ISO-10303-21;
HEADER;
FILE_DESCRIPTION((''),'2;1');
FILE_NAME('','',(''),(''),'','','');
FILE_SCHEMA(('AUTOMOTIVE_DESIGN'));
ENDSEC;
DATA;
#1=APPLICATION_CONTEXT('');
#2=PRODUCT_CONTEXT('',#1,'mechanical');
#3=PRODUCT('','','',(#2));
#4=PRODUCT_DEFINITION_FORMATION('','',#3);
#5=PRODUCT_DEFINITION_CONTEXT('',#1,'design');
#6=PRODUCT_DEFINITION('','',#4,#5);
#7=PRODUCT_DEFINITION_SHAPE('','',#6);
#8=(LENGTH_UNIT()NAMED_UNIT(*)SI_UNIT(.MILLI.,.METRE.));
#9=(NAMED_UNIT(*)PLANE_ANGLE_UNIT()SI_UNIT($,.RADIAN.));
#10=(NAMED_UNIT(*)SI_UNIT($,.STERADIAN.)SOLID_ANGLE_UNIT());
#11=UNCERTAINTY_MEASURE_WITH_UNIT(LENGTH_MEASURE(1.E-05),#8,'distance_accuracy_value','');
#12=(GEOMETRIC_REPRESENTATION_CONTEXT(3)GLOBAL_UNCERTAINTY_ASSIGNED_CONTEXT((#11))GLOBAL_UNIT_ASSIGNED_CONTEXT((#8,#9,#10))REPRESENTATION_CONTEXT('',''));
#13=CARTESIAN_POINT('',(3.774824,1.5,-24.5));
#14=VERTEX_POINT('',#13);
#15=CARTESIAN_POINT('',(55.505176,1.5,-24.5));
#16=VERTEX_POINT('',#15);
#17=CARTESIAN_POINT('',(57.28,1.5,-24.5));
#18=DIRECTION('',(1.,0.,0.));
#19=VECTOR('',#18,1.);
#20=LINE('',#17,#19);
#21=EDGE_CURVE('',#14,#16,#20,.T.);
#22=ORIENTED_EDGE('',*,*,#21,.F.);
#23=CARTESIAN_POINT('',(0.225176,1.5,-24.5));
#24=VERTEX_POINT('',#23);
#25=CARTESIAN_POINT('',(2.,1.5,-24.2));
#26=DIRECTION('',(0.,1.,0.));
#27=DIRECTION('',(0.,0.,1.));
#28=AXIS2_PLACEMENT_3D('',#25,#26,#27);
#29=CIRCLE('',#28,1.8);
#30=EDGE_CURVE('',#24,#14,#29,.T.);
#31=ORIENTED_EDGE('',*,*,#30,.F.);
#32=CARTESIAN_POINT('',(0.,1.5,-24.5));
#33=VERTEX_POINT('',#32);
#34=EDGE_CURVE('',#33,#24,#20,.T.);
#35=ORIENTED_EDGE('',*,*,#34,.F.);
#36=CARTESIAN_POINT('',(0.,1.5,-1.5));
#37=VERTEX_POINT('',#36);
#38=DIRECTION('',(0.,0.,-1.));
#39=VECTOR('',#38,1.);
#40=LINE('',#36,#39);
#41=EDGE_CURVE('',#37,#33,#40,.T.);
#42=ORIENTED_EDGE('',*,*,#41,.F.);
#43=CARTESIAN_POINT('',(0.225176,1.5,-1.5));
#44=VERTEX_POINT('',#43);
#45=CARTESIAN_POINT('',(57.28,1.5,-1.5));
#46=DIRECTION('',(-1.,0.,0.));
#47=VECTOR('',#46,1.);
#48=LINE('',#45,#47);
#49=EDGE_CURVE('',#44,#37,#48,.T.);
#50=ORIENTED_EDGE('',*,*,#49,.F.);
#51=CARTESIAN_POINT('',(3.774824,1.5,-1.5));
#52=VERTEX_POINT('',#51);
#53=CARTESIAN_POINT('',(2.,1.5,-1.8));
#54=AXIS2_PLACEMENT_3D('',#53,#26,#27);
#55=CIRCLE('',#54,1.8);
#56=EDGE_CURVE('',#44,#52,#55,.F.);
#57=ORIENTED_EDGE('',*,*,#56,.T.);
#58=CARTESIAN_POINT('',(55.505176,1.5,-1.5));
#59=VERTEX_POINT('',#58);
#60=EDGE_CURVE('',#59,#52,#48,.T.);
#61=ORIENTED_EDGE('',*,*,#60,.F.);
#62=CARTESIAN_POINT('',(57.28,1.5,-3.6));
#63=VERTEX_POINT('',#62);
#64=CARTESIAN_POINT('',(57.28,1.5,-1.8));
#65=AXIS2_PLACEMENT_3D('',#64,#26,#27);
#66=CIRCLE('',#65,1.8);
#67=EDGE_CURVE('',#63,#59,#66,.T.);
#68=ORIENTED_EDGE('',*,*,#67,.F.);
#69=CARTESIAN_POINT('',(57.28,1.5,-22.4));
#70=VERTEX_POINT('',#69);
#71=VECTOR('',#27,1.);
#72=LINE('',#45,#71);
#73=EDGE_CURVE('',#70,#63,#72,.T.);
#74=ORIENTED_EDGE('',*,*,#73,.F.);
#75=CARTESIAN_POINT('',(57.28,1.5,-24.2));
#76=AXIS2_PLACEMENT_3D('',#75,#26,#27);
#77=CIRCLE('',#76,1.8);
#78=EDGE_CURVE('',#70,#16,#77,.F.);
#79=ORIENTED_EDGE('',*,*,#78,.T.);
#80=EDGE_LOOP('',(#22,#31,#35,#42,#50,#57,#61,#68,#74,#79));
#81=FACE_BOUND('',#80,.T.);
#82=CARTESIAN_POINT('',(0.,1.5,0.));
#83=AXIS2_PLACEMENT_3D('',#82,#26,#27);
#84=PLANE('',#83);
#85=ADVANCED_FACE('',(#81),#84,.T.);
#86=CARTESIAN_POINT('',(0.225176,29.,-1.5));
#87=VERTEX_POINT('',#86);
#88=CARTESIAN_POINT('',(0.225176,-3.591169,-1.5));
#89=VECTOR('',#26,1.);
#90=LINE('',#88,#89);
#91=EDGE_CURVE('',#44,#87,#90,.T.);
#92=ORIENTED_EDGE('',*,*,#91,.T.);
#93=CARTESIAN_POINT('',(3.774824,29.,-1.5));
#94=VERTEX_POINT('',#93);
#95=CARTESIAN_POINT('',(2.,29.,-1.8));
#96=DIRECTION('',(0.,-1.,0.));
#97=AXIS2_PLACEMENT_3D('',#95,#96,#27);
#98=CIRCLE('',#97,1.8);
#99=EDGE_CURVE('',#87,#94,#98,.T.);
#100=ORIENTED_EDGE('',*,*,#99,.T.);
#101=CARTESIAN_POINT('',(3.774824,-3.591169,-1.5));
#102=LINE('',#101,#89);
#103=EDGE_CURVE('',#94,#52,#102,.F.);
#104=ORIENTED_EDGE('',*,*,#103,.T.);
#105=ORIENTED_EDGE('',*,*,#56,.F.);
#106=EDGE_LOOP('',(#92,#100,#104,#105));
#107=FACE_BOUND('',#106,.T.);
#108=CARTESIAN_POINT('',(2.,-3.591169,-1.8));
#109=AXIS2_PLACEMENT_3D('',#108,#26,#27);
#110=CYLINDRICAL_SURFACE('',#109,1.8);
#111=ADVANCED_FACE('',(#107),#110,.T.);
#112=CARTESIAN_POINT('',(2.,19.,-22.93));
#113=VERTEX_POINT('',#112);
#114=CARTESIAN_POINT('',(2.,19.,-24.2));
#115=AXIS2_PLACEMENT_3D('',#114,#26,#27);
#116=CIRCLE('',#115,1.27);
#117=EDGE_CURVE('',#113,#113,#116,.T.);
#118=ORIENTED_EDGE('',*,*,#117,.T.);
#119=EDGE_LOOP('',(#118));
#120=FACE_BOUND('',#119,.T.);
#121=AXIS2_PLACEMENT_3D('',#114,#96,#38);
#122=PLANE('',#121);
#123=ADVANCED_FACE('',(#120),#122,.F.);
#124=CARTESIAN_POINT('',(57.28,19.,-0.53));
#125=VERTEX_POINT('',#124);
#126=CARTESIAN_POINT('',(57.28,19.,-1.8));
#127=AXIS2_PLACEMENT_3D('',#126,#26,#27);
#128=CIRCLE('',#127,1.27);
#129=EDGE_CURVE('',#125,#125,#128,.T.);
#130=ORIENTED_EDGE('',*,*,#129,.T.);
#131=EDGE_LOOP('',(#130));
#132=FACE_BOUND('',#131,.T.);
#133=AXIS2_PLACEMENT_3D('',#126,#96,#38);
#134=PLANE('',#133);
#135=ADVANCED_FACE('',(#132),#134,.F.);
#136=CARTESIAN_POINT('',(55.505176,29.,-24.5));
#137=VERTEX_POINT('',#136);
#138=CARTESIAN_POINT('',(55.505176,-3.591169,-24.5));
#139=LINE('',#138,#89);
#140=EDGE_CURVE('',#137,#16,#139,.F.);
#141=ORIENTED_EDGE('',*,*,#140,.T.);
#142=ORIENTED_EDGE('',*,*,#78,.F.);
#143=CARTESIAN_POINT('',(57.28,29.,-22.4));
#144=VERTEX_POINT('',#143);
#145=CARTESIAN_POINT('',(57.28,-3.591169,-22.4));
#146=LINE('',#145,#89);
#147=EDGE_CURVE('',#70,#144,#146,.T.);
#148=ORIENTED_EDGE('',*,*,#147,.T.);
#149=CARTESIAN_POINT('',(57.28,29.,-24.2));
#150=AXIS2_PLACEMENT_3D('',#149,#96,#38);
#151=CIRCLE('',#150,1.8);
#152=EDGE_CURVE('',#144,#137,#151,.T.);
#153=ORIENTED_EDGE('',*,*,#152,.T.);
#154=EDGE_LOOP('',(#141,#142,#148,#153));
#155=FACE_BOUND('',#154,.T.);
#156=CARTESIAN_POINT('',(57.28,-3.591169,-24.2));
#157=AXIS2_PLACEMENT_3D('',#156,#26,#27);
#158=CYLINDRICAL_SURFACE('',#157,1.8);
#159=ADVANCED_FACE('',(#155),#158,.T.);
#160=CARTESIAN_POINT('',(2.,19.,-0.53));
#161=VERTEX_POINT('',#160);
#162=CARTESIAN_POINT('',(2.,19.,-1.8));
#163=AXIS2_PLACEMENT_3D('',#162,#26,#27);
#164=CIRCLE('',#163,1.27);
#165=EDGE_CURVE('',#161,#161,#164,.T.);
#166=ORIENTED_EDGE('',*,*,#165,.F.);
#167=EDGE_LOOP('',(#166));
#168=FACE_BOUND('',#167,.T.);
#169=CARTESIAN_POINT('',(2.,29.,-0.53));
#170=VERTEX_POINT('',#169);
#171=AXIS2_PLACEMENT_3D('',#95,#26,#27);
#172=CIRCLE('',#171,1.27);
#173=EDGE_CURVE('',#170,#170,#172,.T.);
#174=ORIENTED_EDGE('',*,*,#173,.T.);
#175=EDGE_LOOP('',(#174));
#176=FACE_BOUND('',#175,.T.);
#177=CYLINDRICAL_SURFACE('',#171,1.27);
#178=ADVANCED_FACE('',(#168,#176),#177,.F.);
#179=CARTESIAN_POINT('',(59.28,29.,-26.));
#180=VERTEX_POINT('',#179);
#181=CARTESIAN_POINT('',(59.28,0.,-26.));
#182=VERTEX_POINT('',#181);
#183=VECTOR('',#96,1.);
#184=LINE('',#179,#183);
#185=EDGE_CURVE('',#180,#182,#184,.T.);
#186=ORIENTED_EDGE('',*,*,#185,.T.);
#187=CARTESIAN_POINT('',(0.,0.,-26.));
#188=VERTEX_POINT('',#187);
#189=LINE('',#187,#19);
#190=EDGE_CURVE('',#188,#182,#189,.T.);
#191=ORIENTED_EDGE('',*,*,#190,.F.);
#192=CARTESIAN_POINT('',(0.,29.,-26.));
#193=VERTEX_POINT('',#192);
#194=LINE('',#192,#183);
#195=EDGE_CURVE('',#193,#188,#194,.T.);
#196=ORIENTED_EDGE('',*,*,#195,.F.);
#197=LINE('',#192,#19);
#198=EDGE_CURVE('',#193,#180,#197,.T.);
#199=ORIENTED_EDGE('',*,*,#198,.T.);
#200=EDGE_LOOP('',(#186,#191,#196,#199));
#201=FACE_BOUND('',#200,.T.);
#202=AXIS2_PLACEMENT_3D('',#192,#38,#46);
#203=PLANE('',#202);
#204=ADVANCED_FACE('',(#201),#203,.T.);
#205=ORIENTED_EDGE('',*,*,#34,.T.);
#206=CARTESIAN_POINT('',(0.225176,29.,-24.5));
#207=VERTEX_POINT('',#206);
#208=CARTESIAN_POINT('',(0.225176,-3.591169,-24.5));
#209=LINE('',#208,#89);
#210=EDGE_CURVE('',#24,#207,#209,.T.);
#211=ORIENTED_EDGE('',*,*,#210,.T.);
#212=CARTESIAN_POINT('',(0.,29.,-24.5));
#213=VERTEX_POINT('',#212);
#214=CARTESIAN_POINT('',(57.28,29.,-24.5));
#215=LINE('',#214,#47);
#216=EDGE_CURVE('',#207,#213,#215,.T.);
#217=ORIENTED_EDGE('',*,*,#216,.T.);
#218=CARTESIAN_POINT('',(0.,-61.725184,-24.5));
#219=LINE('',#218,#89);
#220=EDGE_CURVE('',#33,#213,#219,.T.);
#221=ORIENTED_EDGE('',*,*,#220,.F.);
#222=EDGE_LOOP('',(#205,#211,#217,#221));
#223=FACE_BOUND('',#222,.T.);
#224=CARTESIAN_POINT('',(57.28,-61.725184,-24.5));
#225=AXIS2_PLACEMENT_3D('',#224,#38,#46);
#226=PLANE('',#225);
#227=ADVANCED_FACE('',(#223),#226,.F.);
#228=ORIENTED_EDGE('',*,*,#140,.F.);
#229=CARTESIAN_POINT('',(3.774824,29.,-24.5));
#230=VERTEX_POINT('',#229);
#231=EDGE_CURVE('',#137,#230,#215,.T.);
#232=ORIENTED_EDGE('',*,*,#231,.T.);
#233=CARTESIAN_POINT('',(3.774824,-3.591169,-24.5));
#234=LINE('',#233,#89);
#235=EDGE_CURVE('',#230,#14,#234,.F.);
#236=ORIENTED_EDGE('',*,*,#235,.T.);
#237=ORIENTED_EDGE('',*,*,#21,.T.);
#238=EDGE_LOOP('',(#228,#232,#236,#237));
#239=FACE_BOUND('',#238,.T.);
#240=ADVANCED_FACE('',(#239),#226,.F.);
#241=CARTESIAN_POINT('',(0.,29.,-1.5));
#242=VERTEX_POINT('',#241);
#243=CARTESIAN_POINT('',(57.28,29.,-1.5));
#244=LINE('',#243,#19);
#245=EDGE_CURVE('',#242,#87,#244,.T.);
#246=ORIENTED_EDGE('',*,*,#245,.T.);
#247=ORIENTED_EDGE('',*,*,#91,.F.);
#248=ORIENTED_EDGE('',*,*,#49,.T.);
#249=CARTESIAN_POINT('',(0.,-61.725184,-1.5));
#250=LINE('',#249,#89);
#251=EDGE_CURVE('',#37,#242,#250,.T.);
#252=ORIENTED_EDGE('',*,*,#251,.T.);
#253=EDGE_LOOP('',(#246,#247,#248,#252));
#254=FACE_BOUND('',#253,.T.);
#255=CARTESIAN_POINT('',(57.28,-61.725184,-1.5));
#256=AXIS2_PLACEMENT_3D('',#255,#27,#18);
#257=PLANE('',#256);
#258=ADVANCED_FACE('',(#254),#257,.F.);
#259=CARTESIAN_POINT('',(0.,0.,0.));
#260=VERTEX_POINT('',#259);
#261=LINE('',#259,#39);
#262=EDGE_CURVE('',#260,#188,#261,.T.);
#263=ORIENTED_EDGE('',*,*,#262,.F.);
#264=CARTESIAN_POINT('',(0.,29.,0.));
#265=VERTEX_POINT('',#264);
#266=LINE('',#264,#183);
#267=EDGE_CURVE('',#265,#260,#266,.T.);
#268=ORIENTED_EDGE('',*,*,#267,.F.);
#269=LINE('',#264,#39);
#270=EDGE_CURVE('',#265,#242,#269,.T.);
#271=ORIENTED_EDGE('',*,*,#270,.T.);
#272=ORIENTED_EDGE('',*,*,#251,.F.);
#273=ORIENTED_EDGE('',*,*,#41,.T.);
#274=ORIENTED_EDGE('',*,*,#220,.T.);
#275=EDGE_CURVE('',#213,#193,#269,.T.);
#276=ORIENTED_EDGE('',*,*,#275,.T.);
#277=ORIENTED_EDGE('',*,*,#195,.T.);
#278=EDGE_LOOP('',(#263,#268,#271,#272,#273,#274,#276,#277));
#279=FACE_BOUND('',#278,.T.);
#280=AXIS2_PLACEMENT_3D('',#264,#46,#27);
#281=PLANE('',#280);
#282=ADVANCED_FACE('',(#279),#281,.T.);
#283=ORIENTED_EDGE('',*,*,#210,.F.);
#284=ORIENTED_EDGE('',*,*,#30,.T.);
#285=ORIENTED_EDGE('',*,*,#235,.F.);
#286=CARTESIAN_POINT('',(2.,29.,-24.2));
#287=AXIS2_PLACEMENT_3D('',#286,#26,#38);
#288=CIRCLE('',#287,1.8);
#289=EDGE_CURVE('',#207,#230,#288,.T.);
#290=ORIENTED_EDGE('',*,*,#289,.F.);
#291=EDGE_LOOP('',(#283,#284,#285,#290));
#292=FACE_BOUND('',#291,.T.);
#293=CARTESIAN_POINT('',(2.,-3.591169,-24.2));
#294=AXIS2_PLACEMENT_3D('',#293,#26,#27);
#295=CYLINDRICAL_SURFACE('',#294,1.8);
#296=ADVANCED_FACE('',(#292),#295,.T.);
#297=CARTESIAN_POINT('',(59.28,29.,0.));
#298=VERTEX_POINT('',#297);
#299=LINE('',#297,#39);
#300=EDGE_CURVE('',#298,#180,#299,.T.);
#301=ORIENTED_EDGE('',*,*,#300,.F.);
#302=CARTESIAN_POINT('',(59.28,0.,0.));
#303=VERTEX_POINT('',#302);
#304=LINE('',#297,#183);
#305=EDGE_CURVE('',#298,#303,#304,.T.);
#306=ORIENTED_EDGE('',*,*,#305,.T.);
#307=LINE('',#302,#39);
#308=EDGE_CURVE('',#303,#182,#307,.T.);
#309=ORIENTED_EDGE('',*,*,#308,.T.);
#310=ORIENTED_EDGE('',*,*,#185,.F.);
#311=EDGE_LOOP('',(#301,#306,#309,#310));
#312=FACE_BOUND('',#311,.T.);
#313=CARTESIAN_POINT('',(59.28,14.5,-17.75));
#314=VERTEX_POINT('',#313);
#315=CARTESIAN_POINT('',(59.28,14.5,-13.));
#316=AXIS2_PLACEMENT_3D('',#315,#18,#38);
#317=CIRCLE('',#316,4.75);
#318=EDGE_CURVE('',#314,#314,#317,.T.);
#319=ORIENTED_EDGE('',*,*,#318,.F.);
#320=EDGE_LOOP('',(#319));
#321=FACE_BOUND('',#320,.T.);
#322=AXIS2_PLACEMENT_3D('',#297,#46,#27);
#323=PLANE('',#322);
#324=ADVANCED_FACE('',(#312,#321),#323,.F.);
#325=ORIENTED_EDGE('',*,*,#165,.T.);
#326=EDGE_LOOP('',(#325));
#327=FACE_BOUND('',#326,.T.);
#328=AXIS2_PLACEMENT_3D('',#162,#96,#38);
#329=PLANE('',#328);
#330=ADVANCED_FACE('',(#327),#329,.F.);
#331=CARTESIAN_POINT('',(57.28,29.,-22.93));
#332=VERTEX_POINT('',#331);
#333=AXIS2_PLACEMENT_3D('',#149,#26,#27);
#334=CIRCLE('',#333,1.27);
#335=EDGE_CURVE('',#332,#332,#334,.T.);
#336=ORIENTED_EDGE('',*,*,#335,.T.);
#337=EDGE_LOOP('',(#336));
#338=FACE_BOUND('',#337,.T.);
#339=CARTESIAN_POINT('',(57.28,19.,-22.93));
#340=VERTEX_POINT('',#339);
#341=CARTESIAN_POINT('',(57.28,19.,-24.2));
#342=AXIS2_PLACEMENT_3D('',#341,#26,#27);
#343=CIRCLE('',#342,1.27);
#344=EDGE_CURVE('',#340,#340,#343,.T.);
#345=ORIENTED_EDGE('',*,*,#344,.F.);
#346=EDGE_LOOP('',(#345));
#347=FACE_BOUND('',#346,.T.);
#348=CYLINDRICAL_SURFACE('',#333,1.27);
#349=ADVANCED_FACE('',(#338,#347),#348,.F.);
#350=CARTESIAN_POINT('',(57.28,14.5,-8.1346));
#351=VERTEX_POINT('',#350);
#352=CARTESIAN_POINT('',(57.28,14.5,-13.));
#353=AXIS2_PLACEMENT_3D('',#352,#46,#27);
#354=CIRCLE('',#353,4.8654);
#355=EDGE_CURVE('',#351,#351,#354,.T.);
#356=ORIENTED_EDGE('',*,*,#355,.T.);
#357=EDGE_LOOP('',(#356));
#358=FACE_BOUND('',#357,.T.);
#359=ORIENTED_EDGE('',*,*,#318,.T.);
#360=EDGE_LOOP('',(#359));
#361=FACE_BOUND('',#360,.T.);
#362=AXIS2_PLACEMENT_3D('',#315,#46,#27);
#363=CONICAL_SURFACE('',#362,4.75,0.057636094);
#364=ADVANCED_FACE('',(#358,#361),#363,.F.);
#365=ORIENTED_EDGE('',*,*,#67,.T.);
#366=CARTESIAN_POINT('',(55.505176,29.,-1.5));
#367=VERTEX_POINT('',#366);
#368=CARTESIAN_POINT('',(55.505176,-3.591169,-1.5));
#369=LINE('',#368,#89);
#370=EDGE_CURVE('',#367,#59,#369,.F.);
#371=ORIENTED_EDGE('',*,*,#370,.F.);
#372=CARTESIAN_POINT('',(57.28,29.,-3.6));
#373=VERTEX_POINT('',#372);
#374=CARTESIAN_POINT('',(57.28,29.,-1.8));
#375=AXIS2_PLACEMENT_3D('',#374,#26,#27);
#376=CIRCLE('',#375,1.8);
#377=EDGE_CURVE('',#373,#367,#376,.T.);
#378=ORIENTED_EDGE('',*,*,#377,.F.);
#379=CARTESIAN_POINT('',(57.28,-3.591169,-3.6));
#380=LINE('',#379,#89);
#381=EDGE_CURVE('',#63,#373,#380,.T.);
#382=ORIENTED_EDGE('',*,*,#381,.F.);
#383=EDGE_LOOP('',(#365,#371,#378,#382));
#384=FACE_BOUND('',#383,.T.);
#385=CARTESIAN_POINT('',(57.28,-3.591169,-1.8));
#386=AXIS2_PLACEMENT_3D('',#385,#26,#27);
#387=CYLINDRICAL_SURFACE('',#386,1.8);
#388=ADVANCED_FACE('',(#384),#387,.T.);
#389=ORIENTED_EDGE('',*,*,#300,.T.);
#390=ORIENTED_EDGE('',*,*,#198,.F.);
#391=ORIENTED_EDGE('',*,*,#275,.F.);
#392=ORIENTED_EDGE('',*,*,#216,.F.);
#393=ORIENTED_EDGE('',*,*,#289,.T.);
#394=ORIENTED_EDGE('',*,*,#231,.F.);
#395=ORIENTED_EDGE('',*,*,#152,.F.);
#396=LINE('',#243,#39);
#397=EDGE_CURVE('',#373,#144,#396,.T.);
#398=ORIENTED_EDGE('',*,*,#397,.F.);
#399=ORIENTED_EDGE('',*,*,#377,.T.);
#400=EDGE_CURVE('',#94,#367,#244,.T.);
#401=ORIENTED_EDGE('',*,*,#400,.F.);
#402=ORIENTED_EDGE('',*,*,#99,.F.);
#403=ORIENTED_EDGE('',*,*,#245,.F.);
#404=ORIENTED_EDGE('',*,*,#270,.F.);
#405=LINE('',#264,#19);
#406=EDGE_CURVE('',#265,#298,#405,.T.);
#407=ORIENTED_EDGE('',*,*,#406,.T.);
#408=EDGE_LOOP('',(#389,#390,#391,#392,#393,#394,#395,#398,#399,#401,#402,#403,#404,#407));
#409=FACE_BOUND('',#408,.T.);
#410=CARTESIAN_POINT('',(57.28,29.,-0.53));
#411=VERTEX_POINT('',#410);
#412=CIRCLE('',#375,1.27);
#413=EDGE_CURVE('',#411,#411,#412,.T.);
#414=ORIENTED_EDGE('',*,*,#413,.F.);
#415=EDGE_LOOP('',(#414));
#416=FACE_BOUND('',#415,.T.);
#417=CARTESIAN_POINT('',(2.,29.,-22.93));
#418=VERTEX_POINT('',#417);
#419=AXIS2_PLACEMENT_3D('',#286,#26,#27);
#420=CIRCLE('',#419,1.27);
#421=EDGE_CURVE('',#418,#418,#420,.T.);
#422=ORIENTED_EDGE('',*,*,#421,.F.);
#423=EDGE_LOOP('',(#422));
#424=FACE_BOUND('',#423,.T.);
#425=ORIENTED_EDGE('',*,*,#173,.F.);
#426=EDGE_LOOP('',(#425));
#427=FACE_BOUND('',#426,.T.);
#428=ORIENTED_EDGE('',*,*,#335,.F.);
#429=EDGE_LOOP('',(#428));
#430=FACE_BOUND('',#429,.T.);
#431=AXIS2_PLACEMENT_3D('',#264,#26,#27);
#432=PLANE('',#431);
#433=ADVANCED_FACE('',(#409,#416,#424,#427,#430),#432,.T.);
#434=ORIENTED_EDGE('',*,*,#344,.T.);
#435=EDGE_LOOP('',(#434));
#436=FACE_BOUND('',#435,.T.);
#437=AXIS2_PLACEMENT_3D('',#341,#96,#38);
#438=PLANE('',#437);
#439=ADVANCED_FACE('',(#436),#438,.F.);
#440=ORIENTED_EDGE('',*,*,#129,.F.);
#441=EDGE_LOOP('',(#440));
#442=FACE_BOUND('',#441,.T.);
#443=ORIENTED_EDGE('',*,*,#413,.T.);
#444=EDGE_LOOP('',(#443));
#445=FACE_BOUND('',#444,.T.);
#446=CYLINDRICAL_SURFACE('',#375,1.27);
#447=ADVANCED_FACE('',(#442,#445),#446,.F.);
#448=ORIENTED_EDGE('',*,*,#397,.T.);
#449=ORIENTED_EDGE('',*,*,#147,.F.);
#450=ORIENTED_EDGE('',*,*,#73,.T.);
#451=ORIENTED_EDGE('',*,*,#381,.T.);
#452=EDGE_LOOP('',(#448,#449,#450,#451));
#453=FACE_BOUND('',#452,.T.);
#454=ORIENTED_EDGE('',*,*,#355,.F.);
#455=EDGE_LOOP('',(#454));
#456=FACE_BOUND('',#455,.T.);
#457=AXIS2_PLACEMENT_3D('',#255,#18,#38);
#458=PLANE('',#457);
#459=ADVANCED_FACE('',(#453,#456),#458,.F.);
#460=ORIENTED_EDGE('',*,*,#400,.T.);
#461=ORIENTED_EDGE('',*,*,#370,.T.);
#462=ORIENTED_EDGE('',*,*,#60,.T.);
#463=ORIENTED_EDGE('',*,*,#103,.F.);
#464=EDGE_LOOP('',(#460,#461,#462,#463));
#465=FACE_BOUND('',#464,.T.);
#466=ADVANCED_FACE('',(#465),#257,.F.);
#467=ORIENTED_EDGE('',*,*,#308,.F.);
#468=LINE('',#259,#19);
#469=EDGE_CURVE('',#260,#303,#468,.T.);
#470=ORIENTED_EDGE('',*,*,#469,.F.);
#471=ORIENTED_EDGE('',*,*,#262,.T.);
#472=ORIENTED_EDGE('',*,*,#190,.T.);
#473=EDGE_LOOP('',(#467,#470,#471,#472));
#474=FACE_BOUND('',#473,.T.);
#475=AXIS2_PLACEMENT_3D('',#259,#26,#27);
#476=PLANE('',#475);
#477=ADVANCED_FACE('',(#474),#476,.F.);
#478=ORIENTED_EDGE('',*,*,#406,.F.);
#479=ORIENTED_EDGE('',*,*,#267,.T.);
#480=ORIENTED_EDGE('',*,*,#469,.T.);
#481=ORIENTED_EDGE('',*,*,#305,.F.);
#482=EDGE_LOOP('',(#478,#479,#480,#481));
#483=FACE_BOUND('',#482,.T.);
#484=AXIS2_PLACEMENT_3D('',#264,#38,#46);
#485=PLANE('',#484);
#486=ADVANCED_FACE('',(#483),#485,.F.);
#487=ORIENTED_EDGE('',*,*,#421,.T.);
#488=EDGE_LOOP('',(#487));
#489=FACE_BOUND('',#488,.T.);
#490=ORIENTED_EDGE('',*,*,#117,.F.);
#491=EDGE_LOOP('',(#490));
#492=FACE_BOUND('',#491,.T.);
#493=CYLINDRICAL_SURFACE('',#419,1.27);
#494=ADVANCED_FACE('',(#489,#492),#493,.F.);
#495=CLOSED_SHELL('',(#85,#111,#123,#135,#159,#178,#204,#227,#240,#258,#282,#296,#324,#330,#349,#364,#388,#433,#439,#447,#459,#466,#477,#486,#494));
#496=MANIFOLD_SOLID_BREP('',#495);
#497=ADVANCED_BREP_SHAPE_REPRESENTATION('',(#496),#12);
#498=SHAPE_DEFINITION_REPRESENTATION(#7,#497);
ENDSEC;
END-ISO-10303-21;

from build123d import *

# Parameters (mm, degrees)
SKETCH1_W                 = 59.28
SKETCH1_H                 = 26
BOSS_EXTRUDE2_DEPTH       = 29
SKETCH3_W                 = 57.28
SKETCH3_H                 = 23
CUT_EXTRUDE1_DEPTH        = 27.5
SKETCH4_R                 = 4.75
SKETCH5_R                 = 4.8654
SKETCH9_R                 = 1.8
BOSS_EXTRUDE4_DEPTH       = 27.5
F_2_0MM_DOWEL_HOLE3_D     = 2.54
F_2_0MM_DOWEL_HOLE3_DEPTH = 10
MIRROR2_COPY_1_SKETCH_R   = 1.8
MIRROR2_COPY_1_DEPTH      = 27.5
MIRROR2_COPY_2_D          = 2.54
MIRROR2_COPY_2_DEPTH      = 10


with BuildPart() as part:
    # Sketch1 → Boss-Extrude2 (new body)
    with BuildSketch(Plane(origin=(0, 0, 0), x_dir=(1, 0, 0), z_dir=(0, 1, 0))):
        with Locations((29.64, 13)):
            Rectangle(SKETCH1_W, SKETCH1_H)
    extrude(amount=BOSS_EXTRUDE2_DEPTH)

    # Sketch3 → Cut-Extrude1 (cut)
    with BuildSketch(Plane(origin=(0, 29, 0), x_dir=(1, 0, 0), z_dir=(0, 1, 0))):
        with Locations((28.64, 13)):
            Rectangle(SKETCH3_W, SKETCH3_H)
    extrude(amount=-CUT_EXTRUDE1_DEPTH, mode=Mode.SUBTRACT)

    # Sketch4 → Cut-Loft1 section 0
    with BuildSketch(Plane(origin=(59.28, 0, 0), x_dir=(0, 0, -1), z_dir=(1, 0, 0))):
        with Locations((13, 14.5)):
            Circle(SKETCH4_R)
    # Sketch5 → Cut-Loft1 section 1
    with BuildSketch(Plane.ZY.offset(-57.28)):
        with Locations((-13, 14.5)):
            Circle(SKETCH5_R)
    loft(mode=Mode.SUBTRACT)

    # Sketch9 → Boss-Extrude4 (add)
    with BuildSketch(Plane(origin=(0, 29, 0), x_dir=(1, 0, 0), z_dir=(0, 1, 0))):
        with Locations((57.28, 1.8)):
            Circle(SKETCH9_R)
    boss_extrude4 = extrude(amount=-BOSS_EXTRUDE4_DEPTH)

    # Ø2.0mm Dowel Hole3
    with Locations(Plane(origin=(0, 29, 0), x_dir=(1, 0, 0), z_dir=(0, 1, 0))):
        with Locations((57.28, 1.8)):
            f_2_0mm_dowel_hole3 = Hole(F_2_0MM_DOWEL_HOLE3_D / 2, depth=F_2_0MM_DOWEL_HOLE3_DEPTH)

    # Mirror1: Boss-Extrude4, Ø2.0mm Dowel Hole3 across plane
    add(boss_extrude4.mirror(Plane(origin=(0, 0, -13), x_dir=(1, 0, 0), z_dir=(0, 0, -1))))
    add(f_2_0mm_dowel_hole3.mirror(Plane(origin=(0, 0, -13), x_dir=(1, 0, 0), z_dir=(0, 0, -1))), mode=Mode.SUBTRACT)

    # Mirror2: Boss-Extrude4, Ø2.0mm Dowel Hole3 across plane
    add(boss_extrude4.mirror(Plane.ZY.offset(-29.64)))
    add(f_2_0mm_dowel_hole3.mirror(Plane.ZY.offset(-29.64)), mode=Mode.SUBTRACT)

    # Mirror2 copy 1 sketch → Mirror2 copy 1 (add)
    with BuildSketch(Plane(origin=(59.28, 29, -26), x_dir=(-1, 0, 0), z_dir=(0, 1, 0))):
        with Locations((57.28, 1.8)):
            Circle(MIRROR2_COPY_1_SKETCH_R)
    extrude(amount=-MIRROR2_COPY_1_DEPTH)

    # Mirror2 copy 2
    with Locations(Plane(origin=(59.28, 29, -26), x_dir=(-1, 0, 0), z_dir=(0, 1, 0))):
        with Locations((57.28, 1.8)):
            Hole(MIRROR2_COPY_2_D / 2, depth=MIRROR2_COPY_2_DEPTH)


solid = part.part
